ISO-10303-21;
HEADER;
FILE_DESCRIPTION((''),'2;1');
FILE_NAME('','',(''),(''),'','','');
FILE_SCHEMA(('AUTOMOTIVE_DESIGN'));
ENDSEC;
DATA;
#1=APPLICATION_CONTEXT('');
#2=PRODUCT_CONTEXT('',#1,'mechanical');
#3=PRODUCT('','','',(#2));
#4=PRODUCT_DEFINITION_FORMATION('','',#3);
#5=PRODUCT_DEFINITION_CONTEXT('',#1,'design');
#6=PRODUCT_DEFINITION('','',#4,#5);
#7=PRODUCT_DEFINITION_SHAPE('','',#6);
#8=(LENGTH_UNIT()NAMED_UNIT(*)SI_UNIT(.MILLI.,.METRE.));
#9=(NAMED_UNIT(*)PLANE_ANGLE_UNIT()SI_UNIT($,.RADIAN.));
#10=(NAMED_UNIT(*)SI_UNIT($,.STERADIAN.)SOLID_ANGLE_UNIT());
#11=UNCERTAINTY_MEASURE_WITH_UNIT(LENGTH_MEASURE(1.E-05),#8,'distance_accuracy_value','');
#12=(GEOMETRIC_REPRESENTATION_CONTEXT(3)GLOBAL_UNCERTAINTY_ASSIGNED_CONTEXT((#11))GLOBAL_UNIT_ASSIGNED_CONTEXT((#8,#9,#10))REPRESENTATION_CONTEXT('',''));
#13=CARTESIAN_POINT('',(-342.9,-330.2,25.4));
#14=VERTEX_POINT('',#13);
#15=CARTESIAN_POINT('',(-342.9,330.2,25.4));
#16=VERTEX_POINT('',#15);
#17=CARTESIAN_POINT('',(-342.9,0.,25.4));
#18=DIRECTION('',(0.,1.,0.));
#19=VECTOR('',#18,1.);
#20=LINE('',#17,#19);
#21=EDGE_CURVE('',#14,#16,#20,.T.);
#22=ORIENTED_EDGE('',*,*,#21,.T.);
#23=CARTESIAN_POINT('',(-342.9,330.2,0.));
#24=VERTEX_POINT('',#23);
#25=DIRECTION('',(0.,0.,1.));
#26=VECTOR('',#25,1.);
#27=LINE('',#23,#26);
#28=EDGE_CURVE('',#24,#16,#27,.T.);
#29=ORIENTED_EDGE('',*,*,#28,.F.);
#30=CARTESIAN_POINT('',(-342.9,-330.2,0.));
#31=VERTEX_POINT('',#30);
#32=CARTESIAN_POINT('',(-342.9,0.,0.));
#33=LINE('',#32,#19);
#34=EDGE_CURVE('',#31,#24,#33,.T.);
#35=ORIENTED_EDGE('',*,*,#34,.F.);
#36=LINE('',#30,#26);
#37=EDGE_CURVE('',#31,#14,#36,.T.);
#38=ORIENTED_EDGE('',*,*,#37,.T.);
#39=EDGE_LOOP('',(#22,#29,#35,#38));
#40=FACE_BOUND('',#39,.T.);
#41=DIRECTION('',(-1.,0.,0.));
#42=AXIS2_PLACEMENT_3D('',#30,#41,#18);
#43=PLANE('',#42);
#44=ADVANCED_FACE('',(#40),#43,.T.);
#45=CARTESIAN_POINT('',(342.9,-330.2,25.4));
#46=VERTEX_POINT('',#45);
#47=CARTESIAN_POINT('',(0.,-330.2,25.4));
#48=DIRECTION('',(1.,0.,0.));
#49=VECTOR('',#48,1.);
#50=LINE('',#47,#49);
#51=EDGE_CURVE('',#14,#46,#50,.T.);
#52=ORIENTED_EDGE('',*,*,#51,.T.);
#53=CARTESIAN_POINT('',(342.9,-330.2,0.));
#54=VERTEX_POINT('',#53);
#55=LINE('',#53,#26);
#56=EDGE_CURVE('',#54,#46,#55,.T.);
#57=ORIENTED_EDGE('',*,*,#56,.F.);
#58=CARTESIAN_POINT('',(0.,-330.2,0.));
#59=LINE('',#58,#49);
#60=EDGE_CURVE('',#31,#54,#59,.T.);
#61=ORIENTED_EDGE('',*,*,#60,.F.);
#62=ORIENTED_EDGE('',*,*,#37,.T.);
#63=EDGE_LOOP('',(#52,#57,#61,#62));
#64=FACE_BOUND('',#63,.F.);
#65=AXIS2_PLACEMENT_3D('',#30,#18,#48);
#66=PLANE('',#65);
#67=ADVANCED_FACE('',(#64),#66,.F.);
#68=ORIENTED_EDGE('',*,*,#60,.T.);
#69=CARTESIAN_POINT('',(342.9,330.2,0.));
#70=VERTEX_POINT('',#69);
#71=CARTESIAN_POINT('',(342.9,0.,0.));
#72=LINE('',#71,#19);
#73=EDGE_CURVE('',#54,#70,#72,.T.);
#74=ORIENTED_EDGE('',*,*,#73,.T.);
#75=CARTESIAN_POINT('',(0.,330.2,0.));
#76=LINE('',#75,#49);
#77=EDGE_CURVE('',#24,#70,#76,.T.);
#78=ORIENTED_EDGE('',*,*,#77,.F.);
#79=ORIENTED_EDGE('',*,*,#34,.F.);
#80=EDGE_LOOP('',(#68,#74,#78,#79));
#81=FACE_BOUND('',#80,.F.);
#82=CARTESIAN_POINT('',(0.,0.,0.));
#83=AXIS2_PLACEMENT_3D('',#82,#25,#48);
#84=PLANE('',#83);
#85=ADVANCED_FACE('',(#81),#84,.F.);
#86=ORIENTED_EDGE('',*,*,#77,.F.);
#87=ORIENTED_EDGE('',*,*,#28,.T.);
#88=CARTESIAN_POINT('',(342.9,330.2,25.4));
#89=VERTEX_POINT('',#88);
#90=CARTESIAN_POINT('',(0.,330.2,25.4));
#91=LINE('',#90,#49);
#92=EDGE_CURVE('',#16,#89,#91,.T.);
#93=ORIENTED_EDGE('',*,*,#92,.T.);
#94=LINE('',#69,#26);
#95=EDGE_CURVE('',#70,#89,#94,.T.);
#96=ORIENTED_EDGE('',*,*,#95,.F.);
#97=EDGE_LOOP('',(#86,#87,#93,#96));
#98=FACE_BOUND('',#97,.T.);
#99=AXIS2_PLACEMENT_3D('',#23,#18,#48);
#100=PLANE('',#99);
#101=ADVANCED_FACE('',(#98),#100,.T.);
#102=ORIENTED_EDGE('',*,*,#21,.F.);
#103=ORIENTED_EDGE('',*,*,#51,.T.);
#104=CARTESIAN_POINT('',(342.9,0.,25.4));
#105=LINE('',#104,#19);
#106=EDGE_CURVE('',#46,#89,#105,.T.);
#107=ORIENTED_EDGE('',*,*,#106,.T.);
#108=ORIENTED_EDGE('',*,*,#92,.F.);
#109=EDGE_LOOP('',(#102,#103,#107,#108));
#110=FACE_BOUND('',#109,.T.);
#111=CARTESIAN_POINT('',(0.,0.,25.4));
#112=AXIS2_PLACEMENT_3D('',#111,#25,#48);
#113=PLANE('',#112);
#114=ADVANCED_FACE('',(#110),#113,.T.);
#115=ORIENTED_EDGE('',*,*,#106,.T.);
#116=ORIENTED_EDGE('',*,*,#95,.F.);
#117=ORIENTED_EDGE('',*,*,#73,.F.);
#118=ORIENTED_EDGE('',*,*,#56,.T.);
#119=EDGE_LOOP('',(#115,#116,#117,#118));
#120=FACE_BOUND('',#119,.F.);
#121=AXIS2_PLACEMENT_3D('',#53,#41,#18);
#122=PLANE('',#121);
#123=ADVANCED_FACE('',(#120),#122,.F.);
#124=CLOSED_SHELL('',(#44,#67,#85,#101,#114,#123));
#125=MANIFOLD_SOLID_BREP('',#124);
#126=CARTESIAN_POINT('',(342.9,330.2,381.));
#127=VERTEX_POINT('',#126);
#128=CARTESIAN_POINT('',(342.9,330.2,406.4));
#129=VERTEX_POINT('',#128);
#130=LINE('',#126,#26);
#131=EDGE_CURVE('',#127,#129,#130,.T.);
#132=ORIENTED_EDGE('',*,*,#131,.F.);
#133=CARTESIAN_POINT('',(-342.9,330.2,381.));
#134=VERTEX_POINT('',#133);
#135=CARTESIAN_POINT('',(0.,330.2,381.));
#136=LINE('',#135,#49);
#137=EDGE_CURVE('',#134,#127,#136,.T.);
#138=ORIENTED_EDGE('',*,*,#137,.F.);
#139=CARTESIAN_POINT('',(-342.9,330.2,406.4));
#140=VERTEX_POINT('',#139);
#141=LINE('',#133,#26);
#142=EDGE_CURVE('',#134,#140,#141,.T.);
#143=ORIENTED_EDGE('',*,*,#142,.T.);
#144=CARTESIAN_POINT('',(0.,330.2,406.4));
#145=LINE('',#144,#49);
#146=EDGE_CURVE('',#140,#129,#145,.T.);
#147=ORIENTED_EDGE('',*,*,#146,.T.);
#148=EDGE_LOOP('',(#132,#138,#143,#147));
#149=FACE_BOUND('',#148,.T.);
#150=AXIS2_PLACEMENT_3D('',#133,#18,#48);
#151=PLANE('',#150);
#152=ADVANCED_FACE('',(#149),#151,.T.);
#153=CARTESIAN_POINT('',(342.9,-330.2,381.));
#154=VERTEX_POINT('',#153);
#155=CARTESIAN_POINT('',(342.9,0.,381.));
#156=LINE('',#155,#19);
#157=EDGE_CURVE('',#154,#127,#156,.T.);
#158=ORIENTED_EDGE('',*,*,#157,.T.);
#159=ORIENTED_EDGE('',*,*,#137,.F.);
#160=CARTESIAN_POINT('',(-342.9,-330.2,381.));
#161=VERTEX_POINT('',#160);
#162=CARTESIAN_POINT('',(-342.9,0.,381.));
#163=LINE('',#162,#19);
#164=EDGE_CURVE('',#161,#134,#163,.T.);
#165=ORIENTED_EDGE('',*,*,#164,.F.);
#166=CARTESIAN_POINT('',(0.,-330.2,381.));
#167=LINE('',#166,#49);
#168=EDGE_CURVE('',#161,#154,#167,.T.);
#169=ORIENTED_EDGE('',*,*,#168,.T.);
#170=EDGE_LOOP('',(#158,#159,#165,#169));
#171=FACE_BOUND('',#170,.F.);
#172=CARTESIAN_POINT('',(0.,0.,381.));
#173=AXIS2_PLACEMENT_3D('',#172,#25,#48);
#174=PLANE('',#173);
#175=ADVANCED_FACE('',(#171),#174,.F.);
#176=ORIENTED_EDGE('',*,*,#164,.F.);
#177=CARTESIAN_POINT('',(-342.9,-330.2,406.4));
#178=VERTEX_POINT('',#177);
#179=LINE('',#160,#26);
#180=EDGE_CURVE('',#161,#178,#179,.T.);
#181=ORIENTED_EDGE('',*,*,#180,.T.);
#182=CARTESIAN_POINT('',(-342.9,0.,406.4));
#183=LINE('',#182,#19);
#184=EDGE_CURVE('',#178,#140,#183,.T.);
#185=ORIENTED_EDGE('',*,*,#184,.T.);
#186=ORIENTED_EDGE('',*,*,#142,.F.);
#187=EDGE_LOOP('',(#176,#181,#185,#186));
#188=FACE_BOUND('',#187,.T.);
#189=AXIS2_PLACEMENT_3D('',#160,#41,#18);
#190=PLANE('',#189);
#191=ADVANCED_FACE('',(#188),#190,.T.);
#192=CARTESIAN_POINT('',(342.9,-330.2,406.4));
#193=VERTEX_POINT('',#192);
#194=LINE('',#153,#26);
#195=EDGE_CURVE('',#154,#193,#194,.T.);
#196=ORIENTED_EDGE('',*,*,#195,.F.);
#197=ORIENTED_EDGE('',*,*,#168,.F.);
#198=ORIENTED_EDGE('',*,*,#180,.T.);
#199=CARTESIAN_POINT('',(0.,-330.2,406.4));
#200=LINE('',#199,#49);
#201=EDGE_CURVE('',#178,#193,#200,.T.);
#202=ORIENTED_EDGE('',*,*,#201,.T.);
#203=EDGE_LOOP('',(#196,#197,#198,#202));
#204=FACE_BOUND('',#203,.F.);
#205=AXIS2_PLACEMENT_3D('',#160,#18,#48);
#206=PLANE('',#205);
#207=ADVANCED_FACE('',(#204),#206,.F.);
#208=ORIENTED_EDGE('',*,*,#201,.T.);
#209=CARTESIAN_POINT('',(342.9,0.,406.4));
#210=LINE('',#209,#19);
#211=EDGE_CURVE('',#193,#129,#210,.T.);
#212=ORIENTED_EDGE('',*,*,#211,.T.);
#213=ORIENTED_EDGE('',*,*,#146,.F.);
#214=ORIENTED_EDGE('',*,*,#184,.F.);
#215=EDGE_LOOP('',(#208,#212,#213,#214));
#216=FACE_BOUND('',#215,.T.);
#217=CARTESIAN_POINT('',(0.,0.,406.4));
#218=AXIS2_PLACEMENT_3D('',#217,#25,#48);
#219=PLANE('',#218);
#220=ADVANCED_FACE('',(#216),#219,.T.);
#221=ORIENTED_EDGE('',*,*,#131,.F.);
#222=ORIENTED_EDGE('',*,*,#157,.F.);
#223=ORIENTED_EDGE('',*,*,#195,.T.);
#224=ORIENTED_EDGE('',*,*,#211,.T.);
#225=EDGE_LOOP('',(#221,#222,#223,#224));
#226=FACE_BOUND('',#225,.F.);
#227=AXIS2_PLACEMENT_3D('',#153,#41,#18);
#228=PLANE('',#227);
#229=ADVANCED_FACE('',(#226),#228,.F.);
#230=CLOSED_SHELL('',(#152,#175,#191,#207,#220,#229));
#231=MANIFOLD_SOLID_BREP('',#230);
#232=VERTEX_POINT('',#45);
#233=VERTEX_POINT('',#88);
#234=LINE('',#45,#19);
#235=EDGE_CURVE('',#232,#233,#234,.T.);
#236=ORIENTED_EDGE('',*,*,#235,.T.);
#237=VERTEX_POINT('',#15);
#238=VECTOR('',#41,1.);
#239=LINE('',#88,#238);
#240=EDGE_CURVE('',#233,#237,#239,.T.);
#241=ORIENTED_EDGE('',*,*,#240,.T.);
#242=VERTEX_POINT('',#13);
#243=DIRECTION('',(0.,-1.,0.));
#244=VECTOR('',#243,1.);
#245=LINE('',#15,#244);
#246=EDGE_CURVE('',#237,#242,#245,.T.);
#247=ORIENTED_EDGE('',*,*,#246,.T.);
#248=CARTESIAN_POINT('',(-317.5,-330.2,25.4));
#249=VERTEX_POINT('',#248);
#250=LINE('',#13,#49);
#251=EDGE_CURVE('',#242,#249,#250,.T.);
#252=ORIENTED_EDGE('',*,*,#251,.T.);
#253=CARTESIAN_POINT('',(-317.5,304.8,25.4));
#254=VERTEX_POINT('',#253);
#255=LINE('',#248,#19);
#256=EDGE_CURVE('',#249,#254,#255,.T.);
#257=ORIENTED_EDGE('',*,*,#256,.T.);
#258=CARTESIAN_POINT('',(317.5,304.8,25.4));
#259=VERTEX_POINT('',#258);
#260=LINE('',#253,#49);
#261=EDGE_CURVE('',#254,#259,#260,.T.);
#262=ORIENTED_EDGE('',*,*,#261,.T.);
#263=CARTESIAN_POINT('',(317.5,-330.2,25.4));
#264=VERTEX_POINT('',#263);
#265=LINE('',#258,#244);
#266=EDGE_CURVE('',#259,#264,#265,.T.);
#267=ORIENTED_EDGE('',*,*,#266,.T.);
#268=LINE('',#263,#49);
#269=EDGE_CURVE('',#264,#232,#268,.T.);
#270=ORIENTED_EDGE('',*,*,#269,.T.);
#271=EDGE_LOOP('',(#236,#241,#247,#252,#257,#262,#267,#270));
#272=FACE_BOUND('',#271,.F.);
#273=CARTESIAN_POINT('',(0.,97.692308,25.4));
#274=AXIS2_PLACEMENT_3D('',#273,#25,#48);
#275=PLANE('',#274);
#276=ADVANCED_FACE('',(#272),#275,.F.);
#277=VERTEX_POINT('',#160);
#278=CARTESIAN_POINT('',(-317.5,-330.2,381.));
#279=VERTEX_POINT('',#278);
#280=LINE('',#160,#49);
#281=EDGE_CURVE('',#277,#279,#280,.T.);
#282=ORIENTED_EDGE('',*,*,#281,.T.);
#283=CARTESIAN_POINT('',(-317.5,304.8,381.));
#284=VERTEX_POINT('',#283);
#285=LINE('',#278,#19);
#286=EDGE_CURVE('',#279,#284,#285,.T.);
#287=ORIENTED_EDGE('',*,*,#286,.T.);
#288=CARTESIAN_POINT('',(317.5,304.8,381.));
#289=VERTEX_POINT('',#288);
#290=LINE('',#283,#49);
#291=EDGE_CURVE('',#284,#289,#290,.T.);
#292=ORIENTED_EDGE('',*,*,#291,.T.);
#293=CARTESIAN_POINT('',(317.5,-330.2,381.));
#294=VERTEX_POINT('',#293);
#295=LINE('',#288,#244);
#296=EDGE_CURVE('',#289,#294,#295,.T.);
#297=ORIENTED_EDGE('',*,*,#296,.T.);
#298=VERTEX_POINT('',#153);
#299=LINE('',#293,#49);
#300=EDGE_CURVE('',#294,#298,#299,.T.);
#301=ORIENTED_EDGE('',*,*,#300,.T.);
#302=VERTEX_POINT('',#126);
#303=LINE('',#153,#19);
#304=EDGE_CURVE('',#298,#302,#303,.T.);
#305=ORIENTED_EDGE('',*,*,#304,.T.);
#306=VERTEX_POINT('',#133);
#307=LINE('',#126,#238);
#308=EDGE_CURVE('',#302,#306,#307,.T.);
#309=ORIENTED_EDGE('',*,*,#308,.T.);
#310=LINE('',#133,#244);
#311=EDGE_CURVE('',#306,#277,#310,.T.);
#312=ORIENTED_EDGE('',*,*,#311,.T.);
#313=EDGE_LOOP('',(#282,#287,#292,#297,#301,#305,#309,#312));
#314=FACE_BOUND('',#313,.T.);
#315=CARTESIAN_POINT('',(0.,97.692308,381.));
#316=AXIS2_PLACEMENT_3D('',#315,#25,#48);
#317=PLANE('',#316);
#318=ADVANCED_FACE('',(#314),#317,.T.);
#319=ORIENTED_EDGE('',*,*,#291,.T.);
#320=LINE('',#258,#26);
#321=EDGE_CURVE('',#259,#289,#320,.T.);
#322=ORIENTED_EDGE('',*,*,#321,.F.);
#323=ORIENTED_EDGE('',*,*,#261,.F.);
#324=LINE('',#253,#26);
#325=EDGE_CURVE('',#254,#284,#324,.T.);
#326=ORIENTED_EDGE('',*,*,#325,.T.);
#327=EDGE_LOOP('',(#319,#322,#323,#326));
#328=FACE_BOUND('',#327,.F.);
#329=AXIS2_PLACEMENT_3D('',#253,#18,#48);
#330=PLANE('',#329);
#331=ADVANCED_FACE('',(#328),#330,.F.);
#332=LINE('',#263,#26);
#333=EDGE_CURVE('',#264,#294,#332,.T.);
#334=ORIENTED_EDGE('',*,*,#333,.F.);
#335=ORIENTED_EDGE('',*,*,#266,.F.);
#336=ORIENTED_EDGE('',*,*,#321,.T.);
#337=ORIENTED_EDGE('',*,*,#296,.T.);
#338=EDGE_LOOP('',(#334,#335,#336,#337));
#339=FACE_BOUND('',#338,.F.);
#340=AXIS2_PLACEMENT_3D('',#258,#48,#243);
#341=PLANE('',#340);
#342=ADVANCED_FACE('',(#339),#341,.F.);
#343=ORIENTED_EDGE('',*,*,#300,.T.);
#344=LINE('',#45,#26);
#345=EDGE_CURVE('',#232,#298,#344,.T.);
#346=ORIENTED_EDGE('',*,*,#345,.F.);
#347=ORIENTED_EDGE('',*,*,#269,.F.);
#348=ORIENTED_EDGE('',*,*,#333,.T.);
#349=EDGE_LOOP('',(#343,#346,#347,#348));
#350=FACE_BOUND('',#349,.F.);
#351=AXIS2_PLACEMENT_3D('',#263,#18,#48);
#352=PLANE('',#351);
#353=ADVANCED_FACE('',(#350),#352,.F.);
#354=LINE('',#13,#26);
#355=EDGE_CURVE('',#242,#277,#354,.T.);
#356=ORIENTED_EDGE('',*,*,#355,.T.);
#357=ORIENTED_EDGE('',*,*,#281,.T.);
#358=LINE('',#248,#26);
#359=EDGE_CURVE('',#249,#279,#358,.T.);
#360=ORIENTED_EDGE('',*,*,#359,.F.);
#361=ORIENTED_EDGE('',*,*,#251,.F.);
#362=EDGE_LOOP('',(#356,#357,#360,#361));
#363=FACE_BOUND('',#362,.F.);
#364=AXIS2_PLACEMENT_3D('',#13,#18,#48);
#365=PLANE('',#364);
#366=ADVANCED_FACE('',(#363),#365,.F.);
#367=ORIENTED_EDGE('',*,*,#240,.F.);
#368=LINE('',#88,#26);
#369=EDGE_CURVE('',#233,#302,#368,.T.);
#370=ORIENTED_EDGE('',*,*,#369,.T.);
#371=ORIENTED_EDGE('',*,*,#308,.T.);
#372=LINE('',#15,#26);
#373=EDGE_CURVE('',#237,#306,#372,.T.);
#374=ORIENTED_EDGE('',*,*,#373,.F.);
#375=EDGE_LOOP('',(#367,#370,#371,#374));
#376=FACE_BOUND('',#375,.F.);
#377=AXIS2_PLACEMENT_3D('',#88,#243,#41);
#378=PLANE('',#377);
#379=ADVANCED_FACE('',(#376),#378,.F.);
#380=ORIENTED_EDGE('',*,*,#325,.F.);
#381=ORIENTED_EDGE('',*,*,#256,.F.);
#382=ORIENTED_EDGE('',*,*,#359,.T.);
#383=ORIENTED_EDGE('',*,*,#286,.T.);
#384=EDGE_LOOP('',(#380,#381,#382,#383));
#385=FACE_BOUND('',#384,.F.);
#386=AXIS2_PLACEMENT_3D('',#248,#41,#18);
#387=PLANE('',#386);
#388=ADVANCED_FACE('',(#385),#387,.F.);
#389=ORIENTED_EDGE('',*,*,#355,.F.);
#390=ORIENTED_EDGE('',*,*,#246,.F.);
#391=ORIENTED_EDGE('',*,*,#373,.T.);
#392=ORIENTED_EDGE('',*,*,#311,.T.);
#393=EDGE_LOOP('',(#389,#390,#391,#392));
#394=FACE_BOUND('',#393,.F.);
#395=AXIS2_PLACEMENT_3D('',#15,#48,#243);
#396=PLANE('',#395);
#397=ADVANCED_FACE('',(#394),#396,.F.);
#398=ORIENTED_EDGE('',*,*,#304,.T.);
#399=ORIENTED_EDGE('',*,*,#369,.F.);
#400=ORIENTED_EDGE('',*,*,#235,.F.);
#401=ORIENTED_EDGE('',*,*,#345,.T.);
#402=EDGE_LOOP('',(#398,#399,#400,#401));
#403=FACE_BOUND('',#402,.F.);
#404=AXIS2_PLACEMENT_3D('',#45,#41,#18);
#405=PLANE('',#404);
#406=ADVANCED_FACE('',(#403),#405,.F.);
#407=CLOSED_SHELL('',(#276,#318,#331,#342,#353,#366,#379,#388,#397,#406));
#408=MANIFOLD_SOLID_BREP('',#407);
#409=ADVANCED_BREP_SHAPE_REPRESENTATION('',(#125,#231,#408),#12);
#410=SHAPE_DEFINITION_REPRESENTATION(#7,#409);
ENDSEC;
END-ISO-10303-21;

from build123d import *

# Parameters (mm, degrees)
F0_W     = 685.8
F0_H     = 660.4
F1_DEPTH = 25.4
F3_DEPTH = 355.6
F4_W     = 685.8
F4_H     = 660.4
F5_DEPTH = 25.4


with BuildPart() as f1:
    # F0 (on Top) → F1 (new body)
    with BuildSketch(Plane.XY):
        Rectangle(F0_W, F0_H)
    extrude(amount=F1_DEPTH)


with BuildPart() as f3:
    # F2 (on face) → F3 (new body)
    with BuildSketch(Plane.XY.offset(25.4)):
        Polygon((342.9, 330.2), (-342.9, 330.2), (-342.9, -330.2), (-317.5, -330.2), (-317.5, 304.8), (317.5, 304.8), (317.5, -330.2), (342.9, -330.2), align=None)
    extrude(amount=F3_DEPTH)


with BuildPart() as f5:
    # F4 (on face) → F5 (new body)
    with BuildSketch(Plane.XY.offset(381)):
        Rectangle(F4_W, F4_H)
    extrude(amount=F5_DEPTH)


solid = Compound([f1.part, f3.part, f5.part])
